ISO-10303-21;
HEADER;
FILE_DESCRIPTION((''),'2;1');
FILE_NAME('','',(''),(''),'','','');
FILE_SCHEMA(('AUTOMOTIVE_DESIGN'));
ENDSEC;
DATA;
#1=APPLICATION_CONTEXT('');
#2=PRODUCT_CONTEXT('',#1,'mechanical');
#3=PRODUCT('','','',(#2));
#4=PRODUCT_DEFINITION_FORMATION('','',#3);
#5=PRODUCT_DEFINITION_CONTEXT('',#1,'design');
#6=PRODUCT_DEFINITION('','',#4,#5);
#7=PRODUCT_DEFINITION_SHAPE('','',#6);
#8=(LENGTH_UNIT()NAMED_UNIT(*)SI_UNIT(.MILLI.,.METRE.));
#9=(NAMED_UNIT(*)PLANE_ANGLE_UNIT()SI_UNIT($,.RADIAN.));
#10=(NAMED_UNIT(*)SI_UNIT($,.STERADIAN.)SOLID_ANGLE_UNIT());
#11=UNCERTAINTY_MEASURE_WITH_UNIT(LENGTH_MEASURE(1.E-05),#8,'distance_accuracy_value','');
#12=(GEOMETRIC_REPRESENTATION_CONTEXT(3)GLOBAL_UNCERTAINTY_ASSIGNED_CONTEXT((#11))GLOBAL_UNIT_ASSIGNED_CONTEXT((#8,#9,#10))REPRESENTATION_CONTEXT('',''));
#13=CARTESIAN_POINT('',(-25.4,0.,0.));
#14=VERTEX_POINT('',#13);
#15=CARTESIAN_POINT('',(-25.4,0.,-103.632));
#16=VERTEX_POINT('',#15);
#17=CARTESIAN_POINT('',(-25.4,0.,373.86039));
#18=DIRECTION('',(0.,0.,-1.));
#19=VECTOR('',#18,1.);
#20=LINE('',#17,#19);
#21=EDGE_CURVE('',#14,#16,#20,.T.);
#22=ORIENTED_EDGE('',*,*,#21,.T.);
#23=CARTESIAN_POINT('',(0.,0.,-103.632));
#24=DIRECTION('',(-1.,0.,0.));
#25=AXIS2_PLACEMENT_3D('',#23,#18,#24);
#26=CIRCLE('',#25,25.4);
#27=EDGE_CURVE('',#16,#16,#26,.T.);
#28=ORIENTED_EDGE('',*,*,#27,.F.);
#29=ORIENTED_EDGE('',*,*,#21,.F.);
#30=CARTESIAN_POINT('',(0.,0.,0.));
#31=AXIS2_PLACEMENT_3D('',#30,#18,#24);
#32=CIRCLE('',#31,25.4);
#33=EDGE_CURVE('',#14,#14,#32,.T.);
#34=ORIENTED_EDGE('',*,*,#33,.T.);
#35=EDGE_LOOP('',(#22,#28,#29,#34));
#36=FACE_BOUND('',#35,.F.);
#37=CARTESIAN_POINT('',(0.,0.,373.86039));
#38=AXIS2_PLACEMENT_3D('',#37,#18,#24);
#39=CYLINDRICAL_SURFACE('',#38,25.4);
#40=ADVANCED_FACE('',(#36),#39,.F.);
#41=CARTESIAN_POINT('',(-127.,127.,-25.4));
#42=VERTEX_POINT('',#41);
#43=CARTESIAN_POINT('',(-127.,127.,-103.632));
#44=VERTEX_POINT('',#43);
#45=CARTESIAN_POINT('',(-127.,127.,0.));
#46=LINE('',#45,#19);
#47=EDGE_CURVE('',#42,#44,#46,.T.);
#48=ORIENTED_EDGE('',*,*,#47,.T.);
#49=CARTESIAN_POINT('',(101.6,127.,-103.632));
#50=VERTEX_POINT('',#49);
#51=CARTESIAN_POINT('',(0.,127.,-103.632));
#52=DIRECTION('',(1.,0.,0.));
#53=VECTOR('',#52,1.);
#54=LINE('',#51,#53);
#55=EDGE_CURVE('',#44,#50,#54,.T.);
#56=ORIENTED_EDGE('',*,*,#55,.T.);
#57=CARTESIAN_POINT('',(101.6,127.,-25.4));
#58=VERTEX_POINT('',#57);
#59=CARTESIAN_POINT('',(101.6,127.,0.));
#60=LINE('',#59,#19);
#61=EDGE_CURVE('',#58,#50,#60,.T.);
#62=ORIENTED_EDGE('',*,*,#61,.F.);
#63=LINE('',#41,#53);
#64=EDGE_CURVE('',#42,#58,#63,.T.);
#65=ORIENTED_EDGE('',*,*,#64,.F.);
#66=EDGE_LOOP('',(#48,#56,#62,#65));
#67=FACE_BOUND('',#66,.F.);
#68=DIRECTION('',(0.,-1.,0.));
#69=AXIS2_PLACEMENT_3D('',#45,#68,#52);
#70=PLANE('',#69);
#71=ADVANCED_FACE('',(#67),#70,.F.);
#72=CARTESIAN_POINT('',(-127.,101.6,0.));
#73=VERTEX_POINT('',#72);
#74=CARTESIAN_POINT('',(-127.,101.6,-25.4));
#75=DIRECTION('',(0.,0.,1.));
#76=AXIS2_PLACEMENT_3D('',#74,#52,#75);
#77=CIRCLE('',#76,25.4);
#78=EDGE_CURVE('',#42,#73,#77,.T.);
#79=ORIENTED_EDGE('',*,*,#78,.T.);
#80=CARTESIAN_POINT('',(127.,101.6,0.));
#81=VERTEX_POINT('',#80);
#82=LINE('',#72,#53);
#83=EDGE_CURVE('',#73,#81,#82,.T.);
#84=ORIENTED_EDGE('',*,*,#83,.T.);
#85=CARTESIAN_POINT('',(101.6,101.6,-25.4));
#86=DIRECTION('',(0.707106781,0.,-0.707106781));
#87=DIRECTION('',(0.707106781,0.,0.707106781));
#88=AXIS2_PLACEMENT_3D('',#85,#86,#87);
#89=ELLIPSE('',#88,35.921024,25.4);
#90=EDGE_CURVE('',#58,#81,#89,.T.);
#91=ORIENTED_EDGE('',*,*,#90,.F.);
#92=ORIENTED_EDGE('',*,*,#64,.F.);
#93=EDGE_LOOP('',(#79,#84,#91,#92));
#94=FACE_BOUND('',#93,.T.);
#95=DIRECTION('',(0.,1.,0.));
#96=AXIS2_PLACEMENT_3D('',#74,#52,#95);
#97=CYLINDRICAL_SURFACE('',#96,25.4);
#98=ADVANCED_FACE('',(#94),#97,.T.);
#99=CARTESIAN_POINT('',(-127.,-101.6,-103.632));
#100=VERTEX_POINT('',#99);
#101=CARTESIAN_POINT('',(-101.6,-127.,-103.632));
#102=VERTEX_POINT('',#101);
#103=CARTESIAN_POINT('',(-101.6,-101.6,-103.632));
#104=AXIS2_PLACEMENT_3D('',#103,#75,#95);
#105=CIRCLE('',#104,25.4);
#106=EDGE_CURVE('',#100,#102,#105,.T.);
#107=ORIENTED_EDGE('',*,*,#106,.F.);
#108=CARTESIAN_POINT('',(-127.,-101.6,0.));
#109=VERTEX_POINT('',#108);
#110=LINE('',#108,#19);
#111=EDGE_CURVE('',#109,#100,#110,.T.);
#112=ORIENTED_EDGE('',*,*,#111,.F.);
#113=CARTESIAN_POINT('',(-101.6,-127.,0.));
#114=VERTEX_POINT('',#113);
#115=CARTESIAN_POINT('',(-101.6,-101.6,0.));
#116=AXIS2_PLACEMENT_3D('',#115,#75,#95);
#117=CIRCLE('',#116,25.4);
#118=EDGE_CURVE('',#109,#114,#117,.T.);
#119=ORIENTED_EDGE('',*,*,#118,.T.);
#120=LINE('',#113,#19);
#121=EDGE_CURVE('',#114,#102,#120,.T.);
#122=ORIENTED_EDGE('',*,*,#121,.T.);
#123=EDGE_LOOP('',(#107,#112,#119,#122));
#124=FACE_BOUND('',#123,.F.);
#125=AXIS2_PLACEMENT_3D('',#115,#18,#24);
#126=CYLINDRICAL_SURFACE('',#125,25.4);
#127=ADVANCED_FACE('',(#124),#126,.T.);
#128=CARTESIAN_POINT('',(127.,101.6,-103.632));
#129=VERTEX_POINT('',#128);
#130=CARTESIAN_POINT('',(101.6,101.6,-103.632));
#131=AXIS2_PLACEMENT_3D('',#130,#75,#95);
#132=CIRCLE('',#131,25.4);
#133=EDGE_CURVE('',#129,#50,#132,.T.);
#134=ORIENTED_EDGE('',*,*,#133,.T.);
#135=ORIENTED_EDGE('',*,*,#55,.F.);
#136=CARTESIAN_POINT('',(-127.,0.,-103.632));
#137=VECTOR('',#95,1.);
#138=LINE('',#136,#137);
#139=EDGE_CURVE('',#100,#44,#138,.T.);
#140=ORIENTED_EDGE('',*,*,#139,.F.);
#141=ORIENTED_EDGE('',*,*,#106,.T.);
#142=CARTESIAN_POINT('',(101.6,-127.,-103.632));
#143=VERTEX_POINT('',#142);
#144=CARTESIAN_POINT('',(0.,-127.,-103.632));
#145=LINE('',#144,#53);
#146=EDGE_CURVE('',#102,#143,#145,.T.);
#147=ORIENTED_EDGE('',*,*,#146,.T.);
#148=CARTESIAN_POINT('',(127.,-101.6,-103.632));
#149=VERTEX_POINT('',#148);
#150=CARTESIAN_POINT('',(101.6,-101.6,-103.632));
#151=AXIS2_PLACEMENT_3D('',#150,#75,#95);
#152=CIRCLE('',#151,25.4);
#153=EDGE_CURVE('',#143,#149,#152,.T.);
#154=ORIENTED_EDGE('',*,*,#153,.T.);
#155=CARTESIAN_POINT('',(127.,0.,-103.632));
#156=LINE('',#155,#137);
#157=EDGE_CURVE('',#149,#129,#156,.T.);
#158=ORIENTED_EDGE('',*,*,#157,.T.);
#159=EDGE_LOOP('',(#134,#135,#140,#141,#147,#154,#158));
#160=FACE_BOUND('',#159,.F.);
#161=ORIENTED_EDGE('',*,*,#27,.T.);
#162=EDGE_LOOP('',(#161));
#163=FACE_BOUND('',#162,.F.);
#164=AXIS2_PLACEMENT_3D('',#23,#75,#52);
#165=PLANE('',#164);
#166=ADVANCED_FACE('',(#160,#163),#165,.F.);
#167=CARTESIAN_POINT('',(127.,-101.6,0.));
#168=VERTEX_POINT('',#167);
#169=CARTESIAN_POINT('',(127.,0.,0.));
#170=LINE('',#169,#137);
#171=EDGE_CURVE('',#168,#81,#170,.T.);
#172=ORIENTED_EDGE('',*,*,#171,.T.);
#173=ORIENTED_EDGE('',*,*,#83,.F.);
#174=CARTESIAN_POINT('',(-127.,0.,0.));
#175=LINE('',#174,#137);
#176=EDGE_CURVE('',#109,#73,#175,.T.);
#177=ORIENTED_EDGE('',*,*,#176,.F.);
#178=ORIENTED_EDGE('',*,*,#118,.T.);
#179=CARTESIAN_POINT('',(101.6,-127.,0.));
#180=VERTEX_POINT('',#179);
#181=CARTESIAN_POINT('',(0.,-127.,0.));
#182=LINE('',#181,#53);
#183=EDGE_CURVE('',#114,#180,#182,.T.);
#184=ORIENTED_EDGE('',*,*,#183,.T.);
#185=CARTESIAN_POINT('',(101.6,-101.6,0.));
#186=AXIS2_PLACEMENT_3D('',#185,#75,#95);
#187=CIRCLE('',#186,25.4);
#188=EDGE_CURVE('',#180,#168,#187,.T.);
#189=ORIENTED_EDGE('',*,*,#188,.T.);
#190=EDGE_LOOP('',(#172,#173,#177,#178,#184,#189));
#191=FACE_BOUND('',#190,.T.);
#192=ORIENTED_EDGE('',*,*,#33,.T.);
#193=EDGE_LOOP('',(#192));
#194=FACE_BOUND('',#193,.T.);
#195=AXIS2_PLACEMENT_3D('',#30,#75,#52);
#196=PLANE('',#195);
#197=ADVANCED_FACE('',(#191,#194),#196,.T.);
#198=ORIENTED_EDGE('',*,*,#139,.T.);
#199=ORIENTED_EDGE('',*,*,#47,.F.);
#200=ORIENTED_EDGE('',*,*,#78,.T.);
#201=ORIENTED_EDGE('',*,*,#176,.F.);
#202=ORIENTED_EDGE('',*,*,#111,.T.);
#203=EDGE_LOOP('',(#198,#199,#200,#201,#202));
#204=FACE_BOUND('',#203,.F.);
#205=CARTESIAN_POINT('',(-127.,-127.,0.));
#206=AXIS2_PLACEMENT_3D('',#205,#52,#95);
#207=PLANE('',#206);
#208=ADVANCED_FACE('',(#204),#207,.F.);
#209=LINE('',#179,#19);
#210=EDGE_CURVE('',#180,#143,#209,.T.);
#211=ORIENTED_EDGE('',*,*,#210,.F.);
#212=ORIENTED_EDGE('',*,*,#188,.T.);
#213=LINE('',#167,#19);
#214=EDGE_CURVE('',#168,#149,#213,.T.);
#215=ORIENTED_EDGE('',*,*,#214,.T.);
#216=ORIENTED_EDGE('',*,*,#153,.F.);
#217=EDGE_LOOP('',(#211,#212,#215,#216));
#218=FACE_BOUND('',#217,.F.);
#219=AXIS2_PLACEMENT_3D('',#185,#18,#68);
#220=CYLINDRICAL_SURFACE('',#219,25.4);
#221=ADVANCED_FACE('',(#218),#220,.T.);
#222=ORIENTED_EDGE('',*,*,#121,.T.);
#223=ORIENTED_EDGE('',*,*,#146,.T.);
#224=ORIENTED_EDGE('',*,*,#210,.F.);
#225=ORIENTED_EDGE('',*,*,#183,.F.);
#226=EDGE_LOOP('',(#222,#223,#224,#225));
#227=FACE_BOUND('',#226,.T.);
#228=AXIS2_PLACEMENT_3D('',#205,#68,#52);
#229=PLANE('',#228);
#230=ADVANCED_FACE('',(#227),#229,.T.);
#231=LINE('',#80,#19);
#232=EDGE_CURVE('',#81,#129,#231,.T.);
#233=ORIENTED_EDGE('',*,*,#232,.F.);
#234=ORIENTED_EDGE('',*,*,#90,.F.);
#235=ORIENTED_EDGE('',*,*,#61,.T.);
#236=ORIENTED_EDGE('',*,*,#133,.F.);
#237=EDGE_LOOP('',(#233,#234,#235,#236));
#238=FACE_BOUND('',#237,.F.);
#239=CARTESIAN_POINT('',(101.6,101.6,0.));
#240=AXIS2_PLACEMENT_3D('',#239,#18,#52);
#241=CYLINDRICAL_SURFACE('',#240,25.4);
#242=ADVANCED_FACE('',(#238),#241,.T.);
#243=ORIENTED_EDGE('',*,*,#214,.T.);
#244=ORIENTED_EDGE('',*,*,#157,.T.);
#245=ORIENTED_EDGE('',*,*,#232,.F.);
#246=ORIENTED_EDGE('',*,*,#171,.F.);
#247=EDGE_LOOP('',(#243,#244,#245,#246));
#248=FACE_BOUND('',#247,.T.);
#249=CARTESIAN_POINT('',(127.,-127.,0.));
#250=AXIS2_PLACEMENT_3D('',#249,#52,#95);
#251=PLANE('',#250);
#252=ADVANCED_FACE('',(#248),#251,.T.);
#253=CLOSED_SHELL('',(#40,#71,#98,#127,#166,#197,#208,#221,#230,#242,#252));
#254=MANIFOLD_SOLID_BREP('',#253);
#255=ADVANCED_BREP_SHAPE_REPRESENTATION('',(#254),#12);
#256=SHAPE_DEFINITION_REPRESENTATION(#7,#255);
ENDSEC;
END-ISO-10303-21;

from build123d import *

# Parameters (mm, degrees)
F0_W     = 254
F0_H     = 254
F1_DEPTH = 103.632
F2_R     = 25.4
F4_D     = 50.8


with BuildPart() as f1:
    # F0 (on Top) → F1 (new body)
    with BuildSketch(Plane.XY):
        Rectangle(F0_W, F0_H)
    extrude(amount=-F1_DEPTH)

    # F2
    f2_edges = [f1.edges().sort_by_distance(p)[0] for p in [
        (-127, -127, -51.816),
        (0, 127, 0),
        (127, 127, -51.816),
        (127, -127, -51.816),
    ]]
    fillet(f2_edges, radius=F2_R)

    # F4 (through all)
    with Locations(Plane.XY):
        with Locations((0, 0)):
            Hole(F4_D / 2)


solid = f1.part
